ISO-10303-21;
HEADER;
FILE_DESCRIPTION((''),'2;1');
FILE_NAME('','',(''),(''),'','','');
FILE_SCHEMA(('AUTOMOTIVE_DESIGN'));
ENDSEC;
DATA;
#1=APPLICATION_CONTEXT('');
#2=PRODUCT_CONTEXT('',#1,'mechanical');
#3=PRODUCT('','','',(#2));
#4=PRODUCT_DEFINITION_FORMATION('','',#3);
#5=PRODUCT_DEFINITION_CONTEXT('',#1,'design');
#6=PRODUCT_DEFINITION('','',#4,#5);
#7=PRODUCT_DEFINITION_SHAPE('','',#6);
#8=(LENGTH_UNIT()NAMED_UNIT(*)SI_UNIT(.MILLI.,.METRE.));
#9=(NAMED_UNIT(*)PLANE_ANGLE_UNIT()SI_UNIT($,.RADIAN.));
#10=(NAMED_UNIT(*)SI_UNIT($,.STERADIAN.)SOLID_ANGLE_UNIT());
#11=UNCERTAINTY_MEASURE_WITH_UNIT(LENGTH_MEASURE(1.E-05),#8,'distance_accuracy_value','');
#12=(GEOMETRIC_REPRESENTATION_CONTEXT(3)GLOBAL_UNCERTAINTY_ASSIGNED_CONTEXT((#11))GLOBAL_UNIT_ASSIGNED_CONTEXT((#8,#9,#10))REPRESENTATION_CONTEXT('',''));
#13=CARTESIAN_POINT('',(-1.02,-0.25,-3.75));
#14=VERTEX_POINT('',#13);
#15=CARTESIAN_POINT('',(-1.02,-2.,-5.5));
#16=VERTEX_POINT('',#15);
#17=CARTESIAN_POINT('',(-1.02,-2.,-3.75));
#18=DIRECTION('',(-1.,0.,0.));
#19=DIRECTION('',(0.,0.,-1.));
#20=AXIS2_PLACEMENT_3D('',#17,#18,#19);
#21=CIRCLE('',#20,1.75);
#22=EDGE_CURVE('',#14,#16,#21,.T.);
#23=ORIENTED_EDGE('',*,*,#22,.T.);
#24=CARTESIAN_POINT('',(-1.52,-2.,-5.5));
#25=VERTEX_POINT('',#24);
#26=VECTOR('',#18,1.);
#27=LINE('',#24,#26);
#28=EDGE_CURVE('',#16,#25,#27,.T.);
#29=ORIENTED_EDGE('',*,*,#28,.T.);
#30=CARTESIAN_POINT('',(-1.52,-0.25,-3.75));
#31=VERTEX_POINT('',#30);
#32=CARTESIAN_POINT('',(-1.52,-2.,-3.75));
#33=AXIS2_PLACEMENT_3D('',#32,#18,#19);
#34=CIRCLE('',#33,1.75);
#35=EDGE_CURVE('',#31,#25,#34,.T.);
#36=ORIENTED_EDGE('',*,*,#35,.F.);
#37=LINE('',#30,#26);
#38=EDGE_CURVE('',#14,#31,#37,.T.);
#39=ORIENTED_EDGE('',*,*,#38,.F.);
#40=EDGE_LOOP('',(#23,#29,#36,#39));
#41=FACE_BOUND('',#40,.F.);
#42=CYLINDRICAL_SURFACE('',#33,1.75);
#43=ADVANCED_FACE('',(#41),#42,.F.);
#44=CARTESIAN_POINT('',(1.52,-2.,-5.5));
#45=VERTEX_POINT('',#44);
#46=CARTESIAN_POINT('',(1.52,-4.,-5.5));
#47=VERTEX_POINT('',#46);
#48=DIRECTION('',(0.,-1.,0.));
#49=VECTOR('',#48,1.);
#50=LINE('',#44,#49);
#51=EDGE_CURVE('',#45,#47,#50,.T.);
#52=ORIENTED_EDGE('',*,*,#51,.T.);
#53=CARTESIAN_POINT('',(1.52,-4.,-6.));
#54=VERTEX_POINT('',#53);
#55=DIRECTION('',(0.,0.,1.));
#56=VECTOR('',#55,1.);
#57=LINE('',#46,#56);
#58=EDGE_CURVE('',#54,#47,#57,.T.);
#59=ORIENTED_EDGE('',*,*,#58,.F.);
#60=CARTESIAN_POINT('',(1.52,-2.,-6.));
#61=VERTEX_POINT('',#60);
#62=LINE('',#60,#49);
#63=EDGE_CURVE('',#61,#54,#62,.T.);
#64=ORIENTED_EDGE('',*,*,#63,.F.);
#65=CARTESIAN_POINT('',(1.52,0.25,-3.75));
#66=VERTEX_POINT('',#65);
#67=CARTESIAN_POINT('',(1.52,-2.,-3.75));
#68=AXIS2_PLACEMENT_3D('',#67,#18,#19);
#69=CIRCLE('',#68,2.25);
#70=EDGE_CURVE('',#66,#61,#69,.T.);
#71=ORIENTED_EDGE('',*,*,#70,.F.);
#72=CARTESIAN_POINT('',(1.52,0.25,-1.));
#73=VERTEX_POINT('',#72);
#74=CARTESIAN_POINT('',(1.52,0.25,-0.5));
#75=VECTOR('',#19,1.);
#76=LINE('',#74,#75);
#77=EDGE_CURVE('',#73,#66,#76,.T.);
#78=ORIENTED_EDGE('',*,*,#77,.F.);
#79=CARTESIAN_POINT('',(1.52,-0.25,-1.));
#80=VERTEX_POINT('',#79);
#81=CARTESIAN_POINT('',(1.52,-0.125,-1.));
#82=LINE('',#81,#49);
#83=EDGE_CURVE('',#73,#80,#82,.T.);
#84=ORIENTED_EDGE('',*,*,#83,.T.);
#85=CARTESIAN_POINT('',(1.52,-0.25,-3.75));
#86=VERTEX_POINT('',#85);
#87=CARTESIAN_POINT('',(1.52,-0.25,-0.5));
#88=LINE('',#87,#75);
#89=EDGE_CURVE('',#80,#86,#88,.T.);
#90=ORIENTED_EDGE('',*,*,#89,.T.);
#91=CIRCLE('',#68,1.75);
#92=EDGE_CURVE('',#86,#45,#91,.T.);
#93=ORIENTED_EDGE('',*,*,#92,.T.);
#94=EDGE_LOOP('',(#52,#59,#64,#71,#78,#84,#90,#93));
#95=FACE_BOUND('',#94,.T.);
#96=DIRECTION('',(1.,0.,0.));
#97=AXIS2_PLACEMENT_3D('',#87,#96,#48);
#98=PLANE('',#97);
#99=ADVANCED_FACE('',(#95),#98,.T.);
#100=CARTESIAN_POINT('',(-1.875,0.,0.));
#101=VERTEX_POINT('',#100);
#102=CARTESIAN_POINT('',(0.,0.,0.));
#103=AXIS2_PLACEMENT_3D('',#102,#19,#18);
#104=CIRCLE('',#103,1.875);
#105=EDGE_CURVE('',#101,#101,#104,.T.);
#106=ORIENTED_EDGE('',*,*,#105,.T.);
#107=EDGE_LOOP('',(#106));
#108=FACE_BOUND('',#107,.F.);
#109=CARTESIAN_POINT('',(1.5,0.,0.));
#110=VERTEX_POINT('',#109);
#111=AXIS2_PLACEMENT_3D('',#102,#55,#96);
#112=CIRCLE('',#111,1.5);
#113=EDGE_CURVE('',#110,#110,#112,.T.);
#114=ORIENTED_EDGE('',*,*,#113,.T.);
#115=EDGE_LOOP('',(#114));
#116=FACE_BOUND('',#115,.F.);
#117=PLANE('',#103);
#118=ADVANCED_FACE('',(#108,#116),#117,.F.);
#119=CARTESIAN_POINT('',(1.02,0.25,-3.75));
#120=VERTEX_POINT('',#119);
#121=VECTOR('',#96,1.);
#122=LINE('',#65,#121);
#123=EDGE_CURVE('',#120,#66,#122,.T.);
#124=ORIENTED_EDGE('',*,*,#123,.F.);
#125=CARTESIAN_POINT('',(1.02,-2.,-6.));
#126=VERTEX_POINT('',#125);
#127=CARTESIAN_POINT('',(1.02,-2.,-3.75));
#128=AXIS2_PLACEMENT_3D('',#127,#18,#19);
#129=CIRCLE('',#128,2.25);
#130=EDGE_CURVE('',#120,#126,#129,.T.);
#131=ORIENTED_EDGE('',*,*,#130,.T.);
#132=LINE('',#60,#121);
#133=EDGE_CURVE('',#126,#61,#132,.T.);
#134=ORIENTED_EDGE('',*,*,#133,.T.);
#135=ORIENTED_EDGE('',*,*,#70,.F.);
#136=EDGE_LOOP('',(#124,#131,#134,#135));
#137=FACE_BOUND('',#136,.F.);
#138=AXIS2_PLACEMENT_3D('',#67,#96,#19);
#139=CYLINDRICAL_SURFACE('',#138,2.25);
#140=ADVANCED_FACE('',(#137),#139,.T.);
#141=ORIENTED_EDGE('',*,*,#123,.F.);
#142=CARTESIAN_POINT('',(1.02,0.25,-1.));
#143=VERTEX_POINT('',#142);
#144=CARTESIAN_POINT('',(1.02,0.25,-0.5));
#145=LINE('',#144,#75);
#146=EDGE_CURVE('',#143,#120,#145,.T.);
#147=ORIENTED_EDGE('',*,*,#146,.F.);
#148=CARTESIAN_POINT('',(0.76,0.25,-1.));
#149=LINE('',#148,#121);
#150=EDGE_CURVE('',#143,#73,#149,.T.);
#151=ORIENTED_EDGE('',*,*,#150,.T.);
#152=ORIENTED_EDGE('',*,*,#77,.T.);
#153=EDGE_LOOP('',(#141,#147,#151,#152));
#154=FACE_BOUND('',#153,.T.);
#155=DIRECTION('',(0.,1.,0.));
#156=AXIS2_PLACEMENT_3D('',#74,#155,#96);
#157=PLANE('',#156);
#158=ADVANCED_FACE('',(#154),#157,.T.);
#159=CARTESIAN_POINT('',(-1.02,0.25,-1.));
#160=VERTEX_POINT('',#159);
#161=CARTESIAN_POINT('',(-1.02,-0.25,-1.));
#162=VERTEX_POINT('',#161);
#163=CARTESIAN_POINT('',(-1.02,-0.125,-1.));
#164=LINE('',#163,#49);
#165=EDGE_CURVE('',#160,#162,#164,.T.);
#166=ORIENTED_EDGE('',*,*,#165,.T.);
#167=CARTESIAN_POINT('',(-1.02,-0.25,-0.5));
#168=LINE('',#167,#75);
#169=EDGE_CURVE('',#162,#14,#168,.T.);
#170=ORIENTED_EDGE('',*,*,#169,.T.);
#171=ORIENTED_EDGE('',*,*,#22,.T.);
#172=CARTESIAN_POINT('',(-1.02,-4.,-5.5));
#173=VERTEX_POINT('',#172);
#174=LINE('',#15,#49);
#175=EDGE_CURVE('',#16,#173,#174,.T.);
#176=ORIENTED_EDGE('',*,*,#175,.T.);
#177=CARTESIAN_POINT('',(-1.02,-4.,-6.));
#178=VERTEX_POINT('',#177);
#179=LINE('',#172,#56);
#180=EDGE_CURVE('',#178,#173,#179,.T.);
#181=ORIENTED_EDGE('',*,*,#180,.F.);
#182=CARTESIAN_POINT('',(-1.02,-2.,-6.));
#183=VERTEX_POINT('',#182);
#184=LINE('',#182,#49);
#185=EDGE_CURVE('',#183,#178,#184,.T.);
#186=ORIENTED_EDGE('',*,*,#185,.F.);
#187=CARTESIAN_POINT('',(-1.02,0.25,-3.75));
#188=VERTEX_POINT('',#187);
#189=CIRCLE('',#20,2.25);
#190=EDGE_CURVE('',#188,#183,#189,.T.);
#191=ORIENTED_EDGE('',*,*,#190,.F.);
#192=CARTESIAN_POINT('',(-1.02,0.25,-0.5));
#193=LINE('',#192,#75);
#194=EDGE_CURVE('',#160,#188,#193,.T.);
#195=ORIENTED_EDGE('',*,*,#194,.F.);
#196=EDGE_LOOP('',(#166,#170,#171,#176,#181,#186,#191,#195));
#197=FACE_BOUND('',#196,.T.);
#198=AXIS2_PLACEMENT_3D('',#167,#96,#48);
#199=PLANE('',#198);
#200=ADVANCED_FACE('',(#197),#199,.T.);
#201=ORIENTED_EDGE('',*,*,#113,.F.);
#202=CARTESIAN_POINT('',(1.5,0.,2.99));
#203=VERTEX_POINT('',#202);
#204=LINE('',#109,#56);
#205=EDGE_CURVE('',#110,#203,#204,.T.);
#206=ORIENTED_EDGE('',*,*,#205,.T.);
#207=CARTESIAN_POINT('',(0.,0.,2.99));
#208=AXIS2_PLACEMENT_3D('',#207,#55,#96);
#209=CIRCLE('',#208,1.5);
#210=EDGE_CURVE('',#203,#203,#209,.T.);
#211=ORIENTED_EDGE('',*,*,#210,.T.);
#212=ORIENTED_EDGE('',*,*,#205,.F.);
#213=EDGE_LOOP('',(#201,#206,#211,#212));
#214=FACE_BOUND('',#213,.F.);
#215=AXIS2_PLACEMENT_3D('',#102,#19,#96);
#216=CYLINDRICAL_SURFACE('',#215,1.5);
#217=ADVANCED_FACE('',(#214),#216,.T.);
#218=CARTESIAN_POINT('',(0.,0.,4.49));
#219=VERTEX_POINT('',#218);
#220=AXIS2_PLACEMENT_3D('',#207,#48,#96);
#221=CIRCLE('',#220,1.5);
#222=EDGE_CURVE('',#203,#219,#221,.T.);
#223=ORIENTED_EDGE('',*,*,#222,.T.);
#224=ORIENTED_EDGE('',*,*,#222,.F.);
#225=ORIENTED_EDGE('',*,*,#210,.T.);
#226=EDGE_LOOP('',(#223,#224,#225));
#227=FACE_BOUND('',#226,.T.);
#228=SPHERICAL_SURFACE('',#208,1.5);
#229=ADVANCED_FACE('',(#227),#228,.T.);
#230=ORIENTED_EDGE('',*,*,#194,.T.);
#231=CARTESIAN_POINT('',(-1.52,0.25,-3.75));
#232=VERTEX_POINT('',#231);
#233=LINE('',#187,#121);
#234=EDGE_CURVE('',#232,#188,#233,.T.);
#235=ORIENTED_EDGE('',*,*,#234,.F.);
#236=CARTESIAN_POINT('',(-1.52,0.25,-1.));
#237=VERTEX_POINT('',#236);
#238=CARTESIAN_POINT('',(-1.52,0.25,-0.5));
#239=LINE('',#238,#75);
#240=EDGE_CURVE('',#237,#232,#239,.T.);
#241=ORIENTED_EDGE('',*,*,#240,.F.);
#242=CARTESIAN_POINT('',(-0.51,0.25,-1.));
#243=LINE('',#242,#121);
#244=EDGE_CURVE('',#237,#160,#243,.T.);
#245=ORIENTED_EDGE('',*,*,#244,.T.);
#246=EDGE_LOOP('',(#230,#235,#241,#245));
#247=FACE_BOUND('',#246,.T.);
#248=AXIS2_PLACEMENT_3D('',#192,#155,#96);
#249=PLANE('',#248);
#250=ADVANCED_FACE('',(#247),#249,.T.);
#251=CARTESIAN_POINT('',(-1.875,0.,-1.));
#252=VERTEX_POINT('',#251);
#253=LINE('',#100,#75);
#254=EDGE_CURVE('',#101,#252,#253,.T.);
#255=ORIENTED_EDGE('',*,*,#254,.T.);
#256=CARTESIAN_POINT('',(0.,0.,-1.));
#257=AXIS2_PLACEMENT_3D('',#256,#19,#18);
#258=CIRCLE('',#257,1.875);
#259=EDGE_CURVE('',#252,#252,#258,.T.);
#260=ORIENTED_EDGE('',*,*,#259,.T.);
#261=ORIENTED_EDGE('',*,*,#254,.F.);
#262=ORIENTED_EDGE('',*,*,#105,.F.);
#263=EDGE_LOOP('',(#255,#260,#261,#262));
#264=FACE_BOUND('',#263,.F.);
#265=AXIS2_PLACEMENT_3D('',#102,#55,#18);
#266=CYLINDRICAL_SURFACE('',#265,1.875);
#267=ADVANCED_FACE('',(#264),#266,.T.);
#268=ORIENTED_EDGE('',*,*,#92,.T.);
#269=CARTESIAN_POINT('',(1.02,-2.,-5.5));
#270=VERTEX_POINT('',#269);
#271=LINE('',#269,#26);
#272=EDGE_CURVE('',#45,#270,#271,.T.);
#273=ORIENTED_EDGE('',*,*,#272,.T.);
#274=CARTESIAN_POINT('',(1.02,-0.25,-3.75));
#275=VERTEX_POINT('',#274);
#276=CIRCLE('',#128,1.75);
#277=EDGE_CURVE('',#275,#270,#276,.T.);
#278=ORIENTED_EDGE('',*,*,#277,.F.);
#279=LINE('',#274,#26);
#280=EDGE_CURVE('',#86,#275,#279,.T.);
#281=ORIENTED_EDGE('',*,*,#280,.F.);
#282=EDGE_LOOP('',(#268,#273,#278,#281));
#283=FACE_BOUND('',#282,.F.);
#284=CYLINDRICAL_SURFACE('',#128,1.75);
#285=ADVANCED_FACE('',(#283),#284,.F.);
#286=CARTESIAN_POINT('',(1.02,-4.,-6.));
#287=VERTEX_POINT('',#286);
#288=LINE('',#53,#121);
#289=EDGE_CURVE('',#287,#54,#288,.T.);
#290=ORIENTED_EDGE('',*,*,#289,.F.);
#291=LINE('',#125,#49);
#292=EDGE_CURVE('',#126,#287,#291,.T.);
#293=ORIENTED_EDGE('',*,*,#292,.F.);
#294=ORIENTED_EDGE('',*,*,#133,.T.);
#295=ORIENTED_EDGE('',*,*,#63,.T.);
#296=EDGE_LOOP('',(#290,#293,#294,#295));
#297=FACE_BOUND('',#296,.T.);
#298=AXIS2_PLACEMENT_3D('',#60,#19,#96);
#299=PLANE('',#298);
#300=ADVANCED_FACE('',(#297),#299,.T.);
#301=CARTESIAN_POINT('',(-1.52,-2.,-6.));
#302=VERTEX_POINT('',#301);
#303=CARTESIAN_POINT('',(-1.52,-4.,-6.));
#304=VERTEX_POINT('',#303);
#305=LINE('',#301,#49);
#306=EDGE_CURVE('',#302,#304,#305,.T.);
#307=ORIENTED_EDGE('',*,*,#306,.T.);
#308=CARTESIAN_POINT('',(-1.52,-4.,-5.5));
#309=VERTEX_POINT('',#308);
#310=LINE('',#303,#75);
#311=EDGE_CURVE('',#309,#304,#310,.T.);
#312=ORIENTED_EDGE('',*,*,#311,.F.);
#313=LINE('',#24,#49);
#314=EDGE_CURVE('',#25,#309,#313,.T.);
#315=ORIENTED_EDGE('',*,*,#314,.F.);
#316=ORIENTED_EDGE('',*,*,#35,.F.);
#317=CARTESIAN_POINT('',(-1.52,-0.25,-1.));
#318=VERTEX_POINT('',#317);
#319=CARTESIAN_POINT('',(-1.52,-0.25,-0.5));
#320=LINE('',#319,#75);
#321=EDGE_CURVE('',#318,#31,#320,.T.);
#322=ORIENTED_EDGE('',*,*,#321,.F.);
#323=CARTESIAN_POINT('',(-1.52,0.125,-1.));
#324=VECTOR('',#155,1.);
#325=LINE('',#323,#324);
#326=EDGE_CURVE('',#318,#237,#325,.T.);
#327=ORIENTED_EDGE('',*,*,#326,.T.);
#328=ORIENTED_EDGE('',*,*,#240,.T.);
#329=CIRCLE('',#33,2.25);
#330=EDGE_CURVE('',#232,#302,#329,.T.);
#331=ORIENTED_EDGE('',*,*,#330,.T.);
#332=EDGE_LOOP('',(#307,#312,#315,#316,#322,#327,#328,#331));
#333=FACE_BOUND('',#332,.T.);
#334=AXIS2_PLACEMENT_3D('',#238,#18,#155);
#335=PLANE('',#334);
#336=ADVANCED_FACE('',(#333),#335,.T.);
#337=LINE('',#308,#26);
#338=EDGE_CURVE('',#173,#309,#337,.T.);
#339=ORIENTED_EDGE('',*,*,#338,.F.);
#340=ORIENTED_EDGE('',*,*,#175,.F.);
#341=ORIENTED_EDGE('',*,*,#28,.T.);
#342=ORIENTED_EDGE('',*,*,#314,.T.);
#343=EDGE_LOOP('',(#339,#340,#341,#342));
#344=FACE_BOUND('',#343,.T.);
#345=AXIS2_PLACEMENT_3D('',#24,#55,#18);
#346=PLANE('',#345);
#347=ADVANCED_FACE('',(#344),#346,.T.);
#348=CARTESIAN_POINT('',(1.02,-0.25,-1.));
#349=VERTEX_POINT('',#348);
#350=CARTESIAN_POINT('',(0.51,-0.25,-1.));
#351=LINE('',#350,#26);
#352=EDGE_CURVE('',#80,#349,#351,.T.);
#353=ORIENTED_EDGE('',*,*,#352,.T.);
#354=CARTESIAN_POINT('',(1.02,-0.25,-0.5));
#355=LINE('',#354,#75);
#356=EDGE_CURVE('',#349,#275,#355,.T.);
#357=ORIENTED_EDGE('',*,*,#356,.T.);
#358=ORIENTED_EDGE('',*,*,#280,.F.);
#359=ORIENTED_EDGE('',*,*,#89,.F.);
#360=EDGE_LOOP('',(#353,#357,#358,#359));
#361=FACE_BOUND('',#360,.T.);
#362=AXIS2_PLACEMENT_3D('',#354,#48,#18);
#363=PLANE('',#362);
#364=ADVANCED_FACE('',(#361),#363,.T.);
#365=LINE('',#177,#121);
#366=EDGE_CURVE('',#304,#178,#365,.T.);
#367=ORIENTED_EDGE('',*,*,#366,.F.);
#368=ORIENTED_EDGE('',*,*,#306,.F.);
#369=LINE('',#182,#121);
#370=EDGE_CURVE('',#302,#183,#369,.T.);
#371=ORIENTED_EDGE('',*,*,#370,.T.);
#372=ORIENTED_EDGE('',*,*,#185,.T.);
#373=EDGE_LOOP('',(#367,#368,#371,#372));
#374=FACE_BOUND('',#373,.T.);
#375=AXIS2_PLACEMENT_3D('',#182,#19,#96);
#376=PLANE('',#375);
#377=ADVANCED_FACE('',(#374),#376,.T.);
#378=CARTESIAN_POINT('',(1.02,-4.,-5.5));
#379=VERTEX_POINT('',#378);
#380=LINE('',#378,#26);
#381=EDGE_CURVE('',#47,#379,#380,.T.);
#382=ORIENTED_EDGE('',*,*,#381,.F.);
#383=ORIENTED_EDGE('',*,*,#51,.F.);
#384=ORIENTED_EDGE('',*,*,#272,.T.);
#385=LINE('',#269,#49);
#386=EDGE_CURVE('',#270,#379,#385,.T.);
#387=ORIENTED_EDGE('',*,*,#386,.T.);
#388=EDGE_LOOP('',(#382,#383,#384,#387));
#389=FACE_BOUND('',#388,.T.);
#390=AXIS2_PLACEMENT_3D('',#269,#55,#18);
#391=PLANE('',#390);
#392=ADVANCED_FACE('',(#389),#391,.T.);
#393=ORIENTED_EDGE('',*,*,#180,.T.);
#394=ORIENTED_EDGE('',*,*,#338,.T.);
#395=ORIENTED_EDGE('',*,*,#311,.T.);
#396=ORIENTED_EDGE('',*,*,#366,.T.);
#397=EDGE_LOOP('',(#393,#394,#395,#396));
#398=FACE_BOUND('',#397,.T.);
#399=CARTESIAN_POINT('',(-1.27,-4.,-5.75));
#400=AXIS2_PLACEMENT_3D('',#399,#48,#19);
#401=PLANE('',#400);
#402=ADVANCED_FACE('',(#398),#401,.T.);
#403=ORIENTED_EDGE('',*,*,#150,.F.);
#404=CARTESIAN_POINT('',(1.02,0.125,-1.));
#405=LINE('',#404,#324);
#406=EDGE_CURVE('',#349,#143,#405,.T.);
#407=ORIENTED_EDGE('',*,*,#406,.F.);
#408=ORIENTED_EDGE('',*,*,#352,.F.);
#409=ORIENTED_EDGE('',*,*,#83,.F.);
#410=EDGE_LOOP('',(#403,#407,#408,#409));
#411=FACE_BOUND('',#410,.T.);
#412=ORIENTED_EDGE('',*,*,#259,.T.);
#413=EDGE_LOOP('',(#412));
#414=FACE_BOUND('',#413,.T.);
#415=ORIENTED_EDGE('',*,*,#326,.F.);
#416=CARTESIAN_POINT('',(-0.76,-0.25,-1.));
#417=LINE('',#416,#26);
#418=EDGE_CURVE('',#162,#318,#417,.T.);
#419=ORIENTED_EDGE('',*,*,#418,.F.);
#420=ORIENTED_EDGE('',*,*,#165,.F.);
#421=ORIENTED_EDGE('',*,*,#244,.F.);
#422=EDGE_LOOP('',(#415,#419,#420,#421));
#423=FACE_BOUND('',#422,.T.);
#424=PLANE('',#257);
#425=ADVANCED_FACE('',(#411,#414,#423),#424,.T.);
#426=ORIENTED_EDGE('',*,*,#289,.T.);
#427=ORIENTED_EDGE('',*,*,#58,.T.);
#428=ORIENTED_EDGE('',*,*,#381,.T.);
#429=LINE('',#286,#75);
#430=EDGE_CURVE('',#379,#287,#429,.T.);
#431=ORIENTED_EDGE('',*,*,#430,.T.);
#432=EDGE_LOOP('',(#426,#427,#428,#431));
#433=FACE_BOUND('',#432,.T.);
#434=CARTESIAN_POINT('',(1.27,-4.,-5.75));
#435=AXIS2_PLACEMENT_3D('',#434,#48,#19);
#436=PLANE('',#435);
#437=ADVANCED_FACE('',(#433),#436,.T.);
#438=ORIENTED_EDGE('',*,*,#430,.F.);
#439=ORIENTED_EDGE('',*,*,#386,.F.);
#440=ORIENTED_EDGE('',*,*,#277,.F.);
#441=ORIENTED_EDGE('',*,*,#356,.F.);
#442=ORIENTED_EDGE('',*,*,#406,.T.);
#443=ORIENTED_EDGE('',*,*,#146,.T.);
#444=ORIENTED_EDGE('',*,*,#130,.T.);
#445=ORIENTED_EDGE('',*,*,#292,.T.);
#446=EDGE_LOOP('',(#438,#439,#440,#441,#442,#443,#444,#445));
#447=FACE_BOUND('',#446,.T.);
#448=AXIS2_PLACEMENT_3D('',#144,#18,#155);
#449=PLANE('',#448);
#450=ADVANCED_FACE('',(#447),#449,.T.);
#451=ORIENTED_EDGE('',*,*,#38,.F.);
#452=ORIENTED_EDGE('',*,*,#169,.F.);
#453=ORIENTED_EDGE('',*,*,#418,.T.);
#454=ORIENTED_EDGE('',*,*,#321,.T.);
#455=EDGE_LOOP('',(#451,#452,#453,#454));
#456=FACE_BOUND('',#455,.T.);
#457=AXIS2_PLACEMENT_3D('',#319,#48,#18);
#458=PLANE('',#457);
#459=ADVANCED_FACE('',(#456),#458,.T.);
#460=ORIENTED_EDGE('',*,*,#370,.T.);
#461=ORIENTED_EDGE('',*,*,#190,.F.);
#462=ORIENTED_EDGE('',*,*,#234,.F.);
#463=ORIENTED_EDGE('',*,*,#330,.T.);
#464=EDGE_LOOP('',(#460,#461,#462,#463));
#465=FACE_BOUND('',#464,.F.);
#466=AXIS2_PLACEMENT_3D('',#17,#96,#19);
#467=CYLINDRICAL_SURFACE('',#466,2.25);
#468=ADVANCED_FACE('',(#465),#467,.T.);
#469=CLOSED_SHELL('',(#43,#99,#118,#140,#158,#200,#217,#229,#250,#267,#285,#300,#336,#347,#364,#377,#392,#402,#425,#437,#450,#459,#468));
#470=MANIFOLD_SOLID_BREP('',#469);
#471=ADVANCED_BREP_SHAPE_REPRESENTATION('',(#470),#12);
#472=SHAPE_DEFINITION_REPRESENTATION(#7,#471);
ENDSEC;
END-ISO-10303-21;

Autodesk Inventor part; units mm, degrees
ref_plane "YZ Plane" through (0, 0, 0) normal (1, 0, 0) x (0, 1, 0)
ref_plane "XZ Plane" through (0, 0, 0) normal (0, 1, 0) x (-1, 0, 0)
ref_plane "XY Plane" through (0, 0, 0) normal (0, 0, 1) x (1, 0, 0)
sketch "Sketch1" plane through (0, 0, 0) normal (0, 0, 1) x (1, 0, 0)
  circle A0 centre (0, 0) radius 1.5
  dimension "d0" = 3
extrude "Extrusion1" add sketch "Sketch1" along normal blind 4.49
fillet "Fillet1" radius 1.5 1 edges at (-1.5, 0, 4.49)
sketch "Sketch2" plane through (0, 0, 0) normal (0, 0, -1) x (-1, 0, 0)
  circle A0 centre (0, 0) radius 1.5 projected
  circle A1 centre (0, 0) radius 1.875
  dimension "d4" = 3.75
extrude "Extrusion2" add sketch "Sketch2" along normal blind 1 contours A0 | A1
sketch "Sketch3" plane through (0, 0, -1) normal (0, 0, -1) x (-1, 0, 0)
  circle A0 centre (0, 0) radius 1.875 projected
  line L0 (-1.52, 0.25) -> (-1.02, 0.25)
  line L1 (-1.02, 0.25) -> (-1.02, -0.25)
  line L2 (-1.02, -0.25) -> (-1.52, -0.25)
  line L3 (-1.52, -0.25) -> (-1.52, 0.25)
  line L4 (1.02, 0.25) -> (1.52, 0.25)
  line L5 (1.52, 0.25) -> (1.52, -0.25)
  line L6 (1.52, -0.25) -> (1.02, -0.25)
  line L7 (1.02, -0.25) -> (1.02, 0.25)
  dimension "d7" = 0.5
  dimension "d8" = 0.5
  dimension "d9" = 0.5
  dimension "d10" = 0.5
  dimension "d11" = 0.25
  dimension "d12" = 0.25
  dimension "d13" = 1.02
  dimension "d14" = 1.02
sketch "Sketch4" plane through (0, 0, 0) normal (1, 0, 0) x (0, 1, 0)
  line L0 (0, -0.5) -> (0, -3.75)
  line L1 (-2, -5.75) -> (-4, -5.75)
  line L2 (-1.875, -1) -> (1.875, -1) projected
  arc A0 (-2, -5.75) -> (0, -3.75) centre (-2, -3.75) ccw
  line L3 (1.875, 0) -> (-1.875, 0) projected
  point P0 (0, 0)
  point P1 (0, -5.75)
  dimension "d16" = 4
  dimension "d17" = 5.25
  dimension "d18" = 2
  dimension "d19" = 1.875
  dimension "d21" = 0.5
sweep "Sweep1" add profiles "Sketch3" path "Sketch4" path curves L0 A0 L1 contours L0 L1 L2 L3 | L4 L5 L6 L7
properties part number "led"
